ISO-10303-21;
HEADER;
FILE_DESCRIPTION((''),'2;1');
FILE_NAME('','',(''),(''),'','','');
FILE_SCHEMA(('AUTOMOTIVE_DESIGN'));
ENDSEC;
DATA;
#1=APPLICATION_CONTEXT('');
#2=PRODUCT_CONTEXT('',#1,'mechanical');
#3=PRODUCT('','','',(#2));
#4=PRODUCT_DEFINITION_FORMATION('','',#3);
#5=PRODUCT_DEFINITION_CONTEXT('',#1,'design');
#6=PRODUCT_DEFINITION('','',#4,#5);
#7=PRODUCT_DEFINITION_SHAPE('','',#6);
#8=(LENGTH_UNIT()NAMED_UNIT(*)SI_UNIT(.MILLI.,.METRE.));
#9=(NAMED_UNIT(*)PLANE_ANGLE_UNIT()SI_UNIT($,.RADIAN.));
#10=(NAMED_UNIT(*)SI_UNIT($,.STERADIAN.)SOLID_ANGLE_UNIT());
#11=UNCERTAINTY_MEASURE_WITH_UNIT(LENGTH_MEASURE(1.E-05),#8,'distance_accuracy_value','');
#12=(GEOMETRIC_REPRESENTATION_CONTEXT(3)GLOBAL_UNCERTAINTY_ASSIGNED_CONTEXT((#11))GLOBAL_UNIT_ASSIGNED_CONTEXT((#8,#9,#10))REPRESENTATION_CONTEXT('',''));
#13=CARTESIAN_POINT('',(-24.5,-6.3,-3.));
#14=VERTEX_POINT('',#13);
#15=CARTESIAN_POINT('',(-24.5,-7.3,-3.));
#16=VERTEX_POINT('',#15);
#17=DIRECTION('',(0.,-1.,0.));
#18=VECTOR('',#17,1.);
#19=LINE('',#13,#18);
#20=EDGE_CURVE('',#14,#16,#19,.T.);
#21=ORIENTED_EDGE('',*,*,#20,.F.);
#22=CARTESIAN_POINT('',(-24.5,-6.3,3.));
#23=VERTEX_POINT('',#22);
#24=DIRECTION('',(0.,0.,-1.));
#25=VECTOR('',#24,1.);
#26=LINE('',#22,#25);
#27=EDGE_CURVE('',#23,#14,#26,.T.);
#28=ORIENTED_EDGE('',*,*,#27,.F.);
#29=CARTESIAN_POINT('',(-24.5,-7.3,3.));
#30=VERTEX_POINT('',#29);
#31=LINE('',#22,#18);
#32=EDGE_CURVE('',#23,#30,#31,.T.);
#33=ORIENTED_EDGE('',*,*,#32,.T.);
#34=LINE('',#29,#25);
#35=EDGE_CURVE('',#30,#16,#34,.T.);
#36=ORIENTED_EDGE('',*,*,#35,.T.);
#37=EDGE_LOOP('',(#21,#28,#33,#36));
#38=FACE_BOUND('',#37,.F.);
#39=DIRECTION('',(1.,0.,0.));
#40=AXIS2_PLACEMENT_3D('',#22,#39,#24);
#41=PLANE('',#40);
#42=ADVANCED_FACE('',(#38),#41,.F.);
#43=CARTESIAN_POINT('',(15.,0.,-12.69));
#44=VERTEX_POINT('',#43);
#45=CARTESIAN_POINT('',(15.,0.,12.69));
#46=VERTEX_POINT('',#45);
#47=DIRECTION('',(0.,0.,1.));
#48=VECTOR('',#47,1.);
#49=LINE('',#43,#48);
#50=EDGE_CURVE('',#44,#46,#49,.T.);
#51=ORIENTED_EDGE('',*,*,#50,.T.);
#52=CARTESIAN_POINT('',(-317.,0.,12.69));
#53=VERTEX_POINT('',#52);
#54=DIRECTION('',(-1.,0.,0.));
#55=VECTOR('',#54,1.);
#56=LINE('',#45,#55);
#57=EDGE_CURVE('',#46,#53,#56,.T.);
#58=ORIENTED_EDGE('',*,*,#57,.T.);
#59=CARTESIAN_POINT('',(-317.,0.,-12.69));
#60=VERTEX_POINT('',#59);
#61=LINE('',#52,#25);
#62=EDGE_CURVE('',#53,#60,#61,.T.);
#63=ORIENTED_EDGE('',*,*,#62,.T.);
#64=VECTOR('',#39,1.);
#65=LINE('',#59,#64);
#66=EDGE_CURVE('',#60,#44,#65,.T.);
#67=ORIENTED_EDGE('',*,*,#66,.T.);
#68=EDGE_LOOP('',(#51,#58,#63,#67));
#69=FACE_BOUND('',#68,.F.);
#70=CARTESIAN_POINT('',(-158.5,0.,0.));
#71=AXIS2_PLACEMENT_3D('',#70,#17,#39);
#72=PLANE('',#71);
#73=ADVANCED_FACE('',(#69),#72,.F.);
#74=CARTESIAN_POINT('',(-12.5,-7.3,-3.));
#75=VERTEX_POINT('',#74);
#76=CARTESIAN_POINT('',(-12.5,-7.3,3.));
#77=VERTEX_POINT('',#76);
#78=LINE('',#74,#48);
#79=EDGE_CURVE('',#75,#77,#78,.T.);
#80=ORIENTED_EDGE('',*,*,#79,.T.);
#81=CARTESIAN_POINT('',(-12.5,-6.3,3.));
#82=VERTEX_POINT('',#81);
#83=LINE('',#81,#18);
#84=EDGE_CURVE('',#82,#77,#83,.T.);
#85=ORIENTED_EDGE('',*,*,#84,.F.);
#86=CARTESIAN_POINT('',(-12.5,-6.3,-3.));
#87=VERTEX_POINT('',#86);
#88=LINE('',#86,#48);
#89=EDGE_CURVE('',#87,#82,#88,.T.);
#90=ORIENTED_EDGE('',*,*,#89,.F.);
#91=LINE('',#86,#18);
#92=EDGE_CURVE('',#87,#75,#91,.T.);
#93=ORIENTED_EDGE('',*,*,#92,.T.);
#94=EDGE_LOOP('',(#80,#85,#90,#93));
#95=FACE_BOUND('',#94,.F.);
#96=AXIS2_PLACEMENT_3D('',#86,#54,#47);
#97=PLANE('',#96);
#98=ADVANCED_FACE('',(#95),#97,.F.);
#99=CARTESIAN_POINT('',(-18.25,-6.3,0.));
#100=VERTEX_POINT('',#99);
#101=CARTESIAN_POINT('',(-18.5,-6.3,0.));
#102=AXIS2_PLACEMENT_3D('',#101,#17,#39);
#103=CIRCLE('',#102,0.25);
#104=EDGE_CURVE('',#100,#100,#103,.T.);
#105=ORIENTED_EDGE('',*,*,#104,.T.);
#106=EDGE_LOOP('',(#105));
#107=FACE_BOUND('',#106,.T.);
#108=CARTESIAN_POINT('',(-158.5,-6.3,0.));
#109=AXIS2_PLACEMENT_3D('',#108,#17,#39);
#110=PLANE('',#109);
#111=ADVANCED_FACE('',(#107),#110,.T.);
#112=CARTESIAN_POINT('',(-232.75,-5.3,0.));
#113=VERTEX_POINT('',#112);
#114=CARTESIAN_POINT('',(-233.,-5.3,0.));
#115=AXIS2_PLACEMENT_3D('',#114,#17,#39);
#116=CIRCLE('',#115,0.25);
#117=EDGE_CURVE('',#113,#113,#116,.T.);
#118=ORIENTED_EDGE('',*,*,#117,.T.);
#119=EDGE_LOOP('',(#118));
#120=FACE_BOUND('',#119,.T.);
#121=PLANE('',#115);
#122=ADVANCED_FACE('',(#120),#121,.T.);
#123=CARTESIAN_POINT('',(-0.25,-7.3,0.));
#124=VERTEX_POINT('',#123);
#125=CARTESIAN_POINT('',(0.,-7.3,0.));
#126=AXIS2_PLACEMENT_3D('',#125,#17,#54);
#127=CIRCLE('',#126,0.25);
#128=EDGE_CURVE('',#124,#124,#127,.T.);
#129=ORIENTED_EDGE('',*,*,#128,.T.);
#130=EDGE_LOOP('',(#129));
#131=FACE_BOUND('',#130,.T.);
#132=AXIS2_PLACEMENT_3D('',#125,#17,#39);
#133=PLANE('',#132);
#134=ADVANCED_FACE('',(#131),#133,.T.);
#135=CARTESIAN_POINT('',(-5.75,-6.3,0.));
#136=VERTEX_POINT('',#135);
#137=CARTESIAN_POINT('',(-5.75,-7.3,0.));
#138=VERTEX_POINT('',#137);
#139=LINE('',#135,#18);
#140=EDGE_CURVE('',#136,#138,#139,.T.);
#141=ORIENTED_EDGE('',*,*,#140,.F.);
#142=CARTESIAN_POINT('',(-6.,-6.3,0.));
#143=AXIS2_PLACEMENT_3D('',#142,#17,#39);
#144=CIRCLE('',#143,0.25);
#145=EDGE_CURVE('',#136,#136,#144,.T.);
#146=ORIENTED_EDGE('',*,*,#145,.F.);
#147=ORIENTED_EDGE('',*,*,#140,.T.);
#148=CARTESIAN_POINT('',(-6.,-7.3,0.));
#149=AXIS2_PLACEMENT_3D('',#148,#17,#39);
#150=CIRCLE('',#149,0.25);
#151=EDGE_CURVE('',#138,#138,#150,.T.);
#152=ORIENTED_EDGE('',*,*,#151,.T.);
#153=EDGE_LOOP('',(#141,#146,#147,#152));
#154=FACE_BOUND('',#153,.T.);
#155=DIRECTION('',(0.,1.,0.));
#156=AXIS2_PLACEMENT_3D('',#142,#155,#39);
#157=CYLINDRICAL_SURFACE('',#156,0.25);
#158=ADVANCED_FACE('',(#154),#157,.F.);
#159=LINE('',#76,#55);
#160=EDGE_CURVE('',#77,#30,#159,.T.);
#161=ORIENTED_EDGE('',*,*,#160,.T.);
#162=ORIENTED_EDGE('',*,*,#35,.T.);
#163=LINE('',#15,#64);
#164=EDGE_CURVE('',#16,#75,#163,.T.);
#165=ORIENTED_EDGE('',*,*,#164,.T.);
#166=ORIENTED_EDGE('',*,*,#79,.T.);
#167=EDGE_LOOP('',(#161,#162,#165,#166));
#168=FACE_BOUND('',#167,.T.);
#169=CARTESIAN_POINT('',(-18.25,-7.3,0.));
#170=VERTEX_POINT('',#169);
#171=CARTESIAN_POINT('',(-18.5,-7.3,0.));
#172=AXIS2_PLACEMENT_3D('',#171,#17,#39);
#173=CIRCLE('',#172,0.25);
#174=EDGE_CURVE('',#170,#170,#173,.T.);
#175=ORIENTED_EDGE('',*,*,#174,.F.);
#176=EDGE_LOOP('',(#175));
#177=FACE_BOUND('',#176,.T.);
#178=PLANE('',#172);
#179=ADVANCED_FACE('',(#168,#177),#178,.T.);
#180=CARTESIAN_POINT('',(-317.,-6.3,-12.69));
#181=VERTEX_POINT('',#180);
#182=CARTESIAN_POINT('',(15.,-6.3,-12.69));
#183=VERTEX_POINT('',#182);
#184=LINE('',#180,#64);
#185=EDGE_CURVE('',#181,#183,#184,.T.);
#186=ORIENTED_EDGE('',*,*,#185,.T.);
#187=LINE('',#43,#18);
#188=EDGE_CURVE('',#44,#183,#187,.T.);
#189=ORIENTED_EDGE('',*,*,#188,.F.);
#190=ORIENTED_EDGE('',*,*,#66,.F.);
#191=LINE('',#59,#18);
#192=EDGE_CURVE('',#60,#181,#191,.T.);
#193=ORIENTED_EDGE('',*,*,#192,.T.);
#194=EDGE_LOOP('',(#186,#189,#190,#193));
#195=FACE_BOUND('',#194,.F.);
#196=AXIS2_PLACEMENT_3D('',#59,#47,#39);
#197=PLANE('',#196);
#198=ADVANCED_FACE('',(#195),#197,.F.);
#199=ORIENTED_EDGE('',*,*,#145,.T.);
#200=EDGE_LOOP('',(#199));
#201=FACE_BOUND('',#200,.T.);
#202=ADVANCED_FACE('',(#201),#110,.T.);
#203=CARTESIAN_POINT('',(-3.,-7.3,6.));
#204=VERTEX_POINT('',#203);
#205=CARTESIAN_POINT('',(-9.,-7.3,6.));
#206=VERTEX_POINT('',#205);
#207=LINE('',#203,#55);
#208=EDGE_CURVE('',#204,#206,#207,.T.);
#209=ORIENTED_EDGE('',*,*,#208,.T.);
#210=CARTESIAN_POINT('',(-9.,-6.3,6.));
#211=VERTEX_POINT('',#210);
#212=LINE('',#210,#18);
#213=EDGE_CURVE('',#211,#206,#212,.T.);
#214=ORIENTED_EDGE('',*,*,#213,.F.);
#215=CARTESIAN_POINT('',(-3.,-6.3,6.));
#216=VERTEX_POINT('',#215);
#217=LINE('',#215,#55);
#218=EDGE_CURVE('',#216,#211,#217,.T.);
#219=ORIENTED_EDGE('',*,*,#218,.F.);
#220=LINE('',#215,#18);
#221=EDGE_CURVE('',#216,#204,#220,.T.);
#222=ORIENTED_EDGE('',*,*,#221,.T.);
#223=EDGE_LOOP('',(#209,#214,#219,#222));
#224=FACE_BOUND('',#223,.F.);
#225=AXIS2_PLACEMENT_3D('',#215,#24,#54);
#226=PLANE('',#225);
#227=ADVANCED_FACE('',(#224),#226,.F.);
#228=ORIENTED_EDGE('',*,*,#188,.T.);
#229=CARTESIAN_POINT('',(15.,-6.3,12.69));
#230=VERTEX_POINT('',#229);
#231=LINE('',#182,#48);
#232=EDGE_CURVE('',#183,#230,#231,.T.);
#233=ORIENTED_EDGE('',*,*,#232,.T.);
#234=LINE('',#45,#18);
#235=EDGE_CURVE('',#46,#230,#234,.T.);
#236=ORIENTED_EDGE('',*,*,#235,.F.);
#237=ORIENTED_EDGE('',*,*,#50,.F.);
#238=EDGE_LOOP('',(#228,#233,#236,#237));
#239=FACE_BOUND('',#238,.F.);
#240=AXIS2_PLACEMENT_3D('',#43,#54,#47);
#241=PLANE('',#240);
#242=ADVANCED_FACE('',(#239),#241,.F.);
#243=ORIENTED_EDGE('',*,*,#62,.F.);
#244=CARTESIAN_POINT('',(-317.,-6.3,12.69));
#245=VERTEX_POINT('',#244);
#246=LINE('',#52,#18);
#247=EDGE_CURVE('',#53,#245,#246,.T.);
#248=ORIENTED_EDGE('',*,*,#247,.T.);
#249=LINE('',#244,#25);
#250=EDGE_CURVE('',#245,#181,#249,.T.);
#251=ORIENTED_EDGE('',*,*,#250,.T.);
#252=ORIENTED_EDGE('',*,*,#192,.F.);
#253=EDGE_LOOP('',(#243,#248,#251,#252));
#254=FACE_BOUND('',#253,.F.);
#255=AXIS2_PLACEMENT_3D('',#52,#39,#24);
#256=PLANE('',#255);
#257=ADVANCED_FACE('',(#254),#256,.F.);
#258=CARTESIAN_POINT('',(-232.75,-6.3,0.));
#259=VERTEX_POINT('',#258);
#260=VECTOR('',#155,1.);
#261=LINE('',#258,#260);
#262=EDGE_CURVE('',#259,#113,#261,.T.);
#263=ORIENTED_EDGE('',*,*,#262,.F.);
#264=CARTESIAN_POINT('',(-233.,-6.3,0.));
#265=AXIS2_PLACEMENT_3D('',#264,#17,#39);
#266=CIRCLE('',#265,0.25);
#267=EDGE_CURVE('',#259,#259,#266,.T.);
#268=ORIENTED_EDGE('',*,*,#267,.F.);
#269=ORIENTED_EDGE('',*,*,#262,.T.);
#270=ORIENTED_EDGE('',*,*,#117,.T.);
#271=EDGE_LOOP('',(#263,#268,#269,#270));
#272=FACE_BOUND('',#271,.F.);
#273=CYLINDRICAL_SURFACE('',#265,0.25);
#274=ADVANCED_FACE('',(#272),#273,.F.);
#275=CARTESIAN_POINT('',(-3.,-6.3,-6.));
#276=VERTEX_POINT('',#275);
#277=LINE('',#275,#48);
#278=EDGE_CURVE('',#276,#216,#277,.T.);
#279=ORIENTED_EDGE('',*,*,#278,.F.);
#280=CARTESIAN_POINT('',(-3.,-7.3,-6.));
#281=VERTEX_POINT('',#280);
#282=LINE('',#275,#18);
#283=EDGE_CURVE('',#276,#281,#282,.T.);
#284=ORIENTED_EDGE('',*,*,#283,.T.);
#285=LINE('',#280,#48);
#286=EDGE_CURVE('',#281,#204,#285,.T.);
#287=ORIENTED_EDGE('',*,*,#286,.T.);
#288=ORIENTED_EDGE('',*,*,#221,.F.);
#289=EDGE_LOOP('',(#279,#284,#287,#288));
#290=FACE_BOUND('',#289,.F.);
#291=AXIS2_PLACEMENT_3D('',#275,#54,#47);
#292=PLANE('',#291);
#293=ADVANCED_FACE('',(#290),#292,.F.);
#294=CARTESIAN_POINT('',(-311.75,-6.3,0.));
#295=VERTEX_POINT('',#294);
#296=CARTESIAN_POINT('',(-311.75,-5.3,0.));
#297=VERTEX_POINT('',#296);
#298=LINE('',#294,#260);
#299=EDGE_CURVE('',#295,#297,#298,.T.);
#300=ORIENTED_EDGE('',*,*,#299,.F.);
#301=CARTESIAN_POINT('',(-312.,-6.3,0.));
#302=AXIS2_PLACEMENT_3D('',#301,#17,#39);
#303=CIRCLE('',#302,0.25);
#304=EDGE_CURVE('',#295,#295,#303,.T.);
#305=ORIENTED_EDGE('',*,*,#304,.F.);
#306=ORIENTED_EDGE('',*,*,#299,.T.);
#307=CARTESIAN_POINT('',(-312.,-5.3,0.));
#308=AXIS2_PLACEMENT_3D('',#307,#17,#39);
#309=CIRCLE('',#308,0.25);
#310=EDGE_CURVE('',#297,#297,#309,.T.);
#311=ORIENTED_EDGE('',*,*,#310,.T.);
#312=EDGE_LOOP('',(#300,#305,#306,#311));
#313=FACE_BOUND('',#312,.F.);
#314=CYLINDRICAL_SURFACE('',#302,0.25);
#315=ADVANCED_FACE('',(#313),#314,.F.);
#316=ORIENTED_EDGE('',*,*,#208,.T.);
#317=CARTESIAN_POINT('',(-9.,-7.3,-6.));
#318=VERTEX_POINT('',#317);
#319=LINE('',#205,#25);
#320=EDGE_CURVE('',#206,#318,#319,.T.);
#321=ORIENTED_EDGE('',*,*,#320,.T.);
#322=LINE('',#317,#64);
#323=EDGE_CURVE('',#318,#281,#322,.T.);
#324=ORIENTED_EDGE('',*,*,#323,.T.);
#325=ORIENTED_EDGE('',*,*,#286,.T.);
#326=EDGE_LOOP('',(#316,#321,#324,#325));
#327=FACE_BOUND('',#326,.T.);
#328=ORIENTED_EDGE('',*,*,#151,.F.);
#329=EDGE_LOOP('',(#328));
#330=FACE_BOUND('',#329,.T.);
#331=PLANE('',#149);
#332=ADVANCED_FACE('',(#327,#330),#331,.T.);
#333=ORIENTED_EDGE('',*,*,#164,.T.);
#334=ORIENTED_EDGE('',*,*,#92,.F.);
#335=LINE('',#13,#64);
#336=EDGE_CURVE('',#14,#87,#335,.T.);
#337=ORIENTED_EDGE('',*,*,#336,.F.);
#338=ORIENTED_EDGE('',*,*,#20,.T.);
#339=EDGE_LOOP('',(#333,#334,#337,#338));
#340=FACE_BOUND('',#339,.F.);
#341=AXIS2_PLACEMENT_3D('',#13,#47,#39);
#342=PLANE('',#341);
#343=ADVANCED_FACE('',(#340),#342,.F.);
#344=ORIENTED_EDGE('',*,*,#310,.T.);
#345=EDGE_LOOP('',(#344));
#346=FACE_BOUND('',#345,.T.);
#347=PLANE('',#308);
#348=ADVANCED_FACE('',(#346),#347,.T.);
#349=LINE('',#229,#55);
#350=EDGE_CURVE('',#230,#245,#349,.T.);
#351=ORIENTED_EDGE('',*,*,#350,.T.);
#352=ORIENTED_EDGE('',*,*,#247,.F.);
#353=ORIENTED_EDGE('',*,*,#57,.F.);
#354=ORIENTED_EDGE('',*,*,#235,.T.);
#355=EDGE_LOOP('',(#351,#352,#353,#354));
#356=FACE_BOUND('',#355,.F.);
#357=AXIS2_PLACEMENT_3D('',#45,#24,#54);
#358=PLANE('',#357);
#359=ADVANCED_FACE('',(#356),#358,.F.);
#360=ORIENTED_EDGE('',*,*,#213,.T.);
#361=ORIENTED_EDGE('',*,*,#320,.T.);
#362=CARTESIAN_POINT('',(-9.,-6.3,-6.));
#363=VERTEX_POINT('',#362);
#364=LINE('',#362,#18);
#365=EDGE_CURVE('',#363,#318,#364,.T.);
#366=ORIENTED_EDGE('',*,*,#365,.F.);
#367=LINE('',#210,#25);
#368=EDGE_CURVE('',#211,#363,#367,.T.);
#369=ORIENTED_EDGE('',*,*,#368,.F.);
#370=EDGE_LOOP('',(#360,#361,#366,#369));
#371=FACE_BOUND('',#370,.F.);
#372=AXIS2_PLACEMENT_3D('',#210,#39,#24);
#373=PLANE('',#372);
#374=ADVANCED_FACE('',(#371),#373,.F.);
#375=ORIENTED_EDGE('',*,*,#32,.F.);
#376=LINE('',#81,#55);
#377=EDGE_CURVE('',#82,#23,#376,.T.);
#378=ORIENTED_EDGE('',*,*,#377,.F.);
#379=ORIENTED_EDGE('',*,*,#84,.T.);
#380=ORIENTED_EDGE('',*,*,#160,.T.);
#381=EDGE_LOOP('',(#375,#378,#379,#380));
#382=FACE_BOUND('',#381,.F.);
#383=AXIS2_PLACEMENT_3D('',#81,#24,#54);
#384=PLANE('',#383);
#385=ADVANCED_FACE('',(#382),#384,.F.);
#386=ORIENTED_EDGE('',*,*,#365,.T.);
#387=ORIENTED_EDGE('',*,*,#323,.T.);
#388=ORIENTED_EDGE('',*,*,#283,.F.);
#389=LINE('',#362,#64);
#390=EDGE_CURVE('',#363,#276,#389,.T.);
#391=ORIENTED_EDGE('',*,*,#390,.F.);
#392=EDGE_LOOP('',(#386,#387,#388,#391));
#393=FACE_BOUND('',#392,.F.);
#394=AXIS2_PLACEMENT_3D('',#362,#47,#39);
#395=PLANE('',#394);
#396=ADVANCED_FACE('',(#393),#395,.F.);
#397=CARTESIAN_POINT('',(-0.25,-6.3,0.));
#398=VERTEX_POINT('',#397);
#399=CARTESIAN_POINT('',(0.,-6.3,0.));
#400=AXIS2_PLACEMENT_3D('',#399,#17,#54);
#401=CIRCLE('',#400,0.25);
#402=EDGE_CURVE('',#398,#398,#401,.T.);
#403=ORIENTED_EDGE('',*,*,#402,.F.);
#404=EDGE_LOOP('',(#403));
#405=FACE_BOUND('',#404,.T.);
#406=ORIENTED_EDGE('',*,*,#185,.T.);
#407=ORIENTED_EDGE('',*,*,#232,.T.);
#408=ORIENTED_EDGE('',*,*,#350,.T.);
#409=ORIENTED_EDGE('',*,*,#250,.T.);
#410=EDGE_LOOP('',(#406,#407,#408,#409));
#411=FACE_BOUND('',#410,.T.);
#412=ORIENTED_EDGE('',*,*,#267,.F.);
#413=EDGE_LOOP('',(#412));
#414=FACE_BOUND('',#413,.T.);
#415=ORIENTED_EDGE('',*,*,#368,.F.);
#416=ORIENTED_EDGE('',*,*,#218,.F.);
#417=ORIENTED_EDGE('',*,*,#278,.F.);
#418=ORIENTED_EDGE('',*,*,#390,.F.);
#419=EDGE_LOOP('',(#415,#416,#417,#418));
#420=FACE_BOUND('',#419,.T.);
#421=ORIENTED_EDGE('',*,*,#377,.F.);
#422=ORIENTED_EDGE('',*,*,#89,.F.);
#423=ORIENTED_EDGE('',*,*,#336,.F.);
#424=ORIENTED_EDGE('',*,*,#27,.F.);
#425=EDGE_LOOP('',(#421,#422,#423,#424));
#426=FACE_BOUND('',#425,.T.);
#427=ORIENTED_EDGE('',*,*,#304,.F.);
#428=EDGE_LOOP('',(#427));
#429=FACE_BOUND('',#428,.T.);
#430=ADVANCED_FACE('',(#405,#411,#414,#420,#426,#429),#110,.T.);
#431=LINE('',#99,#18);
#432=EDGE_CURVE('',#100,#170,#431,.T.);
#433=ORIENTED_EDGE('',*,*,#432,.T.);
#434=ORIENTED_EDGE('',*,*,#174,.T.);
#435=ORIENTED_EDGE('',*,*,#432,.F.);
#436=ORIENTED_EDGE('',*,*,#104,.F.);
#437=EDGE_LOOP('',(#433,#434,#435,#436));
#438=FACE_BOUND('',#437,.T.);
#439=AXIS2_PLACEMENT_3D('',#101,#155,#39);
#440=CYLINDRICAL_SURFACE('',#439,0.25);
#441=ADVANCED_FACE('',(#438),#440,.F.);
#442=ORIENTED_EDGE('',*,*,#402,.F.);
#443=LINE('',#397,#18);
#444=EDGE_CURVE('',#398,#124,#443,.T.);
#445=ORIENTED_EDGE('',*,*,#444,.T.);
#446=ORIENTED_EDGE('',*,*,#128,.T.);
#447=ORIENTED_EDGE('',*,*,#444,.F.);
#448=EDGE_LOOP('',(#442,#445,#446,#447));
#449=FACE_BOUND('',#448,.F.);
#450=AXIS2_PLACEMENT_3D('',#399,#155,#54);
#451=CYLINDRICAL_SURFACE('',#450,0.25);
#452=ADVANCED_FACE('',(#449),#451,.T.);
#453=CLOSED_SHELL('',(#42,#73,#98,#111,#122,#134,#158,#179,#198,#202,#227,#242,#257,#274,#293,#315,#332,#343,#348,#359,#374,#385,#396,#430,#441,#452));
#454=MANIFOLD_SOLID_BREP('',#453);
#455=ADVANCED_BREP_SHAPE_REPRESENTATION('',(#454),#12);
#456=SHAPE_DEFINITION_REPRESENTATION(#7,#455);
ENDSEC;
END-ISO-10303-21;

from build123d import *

# Parameters (mm, degrees)
F1_DEPTH = 6.3
F2_R     = 0.25
F3_DEPTH = 1
F4_R     = 0.25
F5_DEPTH = 1
F7_R     = 0.25
F8_DEPTH = 1
F6_R     = 0.25
F9_DEPTH = 1


with BuildPart() as f1:
    # F0 (on Front) → F1 (new body)
    with BuildSketch(Plane.XZ):
        Polygon((0, -12.69), (0, 0), (0, 12.69), (-317, 12.69), (-317, -12.69), align=None)
        Polygon((0, 12.69), (0, 0), (0, -12.69), (15, -12.69), (15, 12.69), align=None)
    extrude(amount=F1_DEPTH)

    # F2 (on face) → F3 (cut)
    with BuildSketch(Plane.XZ.offset(6.3)):
        with Locations((-312, 0)):
            Circle(F2_R)
    extrude(amount=-F3_DEPTH, mode=Mode.SUBTRACT)

    # F4 (on face) → F5 (cut)
    with BuildSketch(Plane.XZ.offset(6.3)):
        with Locations((-233, 0)):
            Circle(F4_R)
    extrude(amount=-F5_DEPTH, mode=Mode.SUBTRACT)

    # F7 (on face) → F8 (join)
    with BuildSketch(Plane.XZ.offset(6.3)):
        with BuildLine():
            ThreePointArc((0.25, 0), (0, 0.25), (-0.25, 0))
            ThreePointArc((-0.25, 0), (0, -0.25), (0.25, 0))
        make_face()
        with Locations((-6, 0)):
            Circle(F7_R)
        Polygon((-9, 6), (-9, 0), (-9, -6), (-3, -6), (-3, 0), (-3, 6), align=None)
        with Locations((-6, 0)):
            Circle(F7_R, mode=Mode.SUBTRACT)
    extrude(amount=F8_DEPTH)

    # F6 (on face) → F9 (join)
    with BuildSketch(Plane.XZ.offset(6.3)):
        with Locations((-18.5, 0)):
            Circle(F6_R)
        Polygon((-24.5, 3), (-24.5, 0), (-24.5, -3), (-18.5, -3), (-12.5, -3), (-12.5, 0), (-12.5, 3), (-18.5, 3), align=None)
        with Locations((-18.5, 0)):
            Circle(F6_R, mode=Mode.SUBTRACT)
    extrude(amount=F9_DEPTH)


solid = f1.part
